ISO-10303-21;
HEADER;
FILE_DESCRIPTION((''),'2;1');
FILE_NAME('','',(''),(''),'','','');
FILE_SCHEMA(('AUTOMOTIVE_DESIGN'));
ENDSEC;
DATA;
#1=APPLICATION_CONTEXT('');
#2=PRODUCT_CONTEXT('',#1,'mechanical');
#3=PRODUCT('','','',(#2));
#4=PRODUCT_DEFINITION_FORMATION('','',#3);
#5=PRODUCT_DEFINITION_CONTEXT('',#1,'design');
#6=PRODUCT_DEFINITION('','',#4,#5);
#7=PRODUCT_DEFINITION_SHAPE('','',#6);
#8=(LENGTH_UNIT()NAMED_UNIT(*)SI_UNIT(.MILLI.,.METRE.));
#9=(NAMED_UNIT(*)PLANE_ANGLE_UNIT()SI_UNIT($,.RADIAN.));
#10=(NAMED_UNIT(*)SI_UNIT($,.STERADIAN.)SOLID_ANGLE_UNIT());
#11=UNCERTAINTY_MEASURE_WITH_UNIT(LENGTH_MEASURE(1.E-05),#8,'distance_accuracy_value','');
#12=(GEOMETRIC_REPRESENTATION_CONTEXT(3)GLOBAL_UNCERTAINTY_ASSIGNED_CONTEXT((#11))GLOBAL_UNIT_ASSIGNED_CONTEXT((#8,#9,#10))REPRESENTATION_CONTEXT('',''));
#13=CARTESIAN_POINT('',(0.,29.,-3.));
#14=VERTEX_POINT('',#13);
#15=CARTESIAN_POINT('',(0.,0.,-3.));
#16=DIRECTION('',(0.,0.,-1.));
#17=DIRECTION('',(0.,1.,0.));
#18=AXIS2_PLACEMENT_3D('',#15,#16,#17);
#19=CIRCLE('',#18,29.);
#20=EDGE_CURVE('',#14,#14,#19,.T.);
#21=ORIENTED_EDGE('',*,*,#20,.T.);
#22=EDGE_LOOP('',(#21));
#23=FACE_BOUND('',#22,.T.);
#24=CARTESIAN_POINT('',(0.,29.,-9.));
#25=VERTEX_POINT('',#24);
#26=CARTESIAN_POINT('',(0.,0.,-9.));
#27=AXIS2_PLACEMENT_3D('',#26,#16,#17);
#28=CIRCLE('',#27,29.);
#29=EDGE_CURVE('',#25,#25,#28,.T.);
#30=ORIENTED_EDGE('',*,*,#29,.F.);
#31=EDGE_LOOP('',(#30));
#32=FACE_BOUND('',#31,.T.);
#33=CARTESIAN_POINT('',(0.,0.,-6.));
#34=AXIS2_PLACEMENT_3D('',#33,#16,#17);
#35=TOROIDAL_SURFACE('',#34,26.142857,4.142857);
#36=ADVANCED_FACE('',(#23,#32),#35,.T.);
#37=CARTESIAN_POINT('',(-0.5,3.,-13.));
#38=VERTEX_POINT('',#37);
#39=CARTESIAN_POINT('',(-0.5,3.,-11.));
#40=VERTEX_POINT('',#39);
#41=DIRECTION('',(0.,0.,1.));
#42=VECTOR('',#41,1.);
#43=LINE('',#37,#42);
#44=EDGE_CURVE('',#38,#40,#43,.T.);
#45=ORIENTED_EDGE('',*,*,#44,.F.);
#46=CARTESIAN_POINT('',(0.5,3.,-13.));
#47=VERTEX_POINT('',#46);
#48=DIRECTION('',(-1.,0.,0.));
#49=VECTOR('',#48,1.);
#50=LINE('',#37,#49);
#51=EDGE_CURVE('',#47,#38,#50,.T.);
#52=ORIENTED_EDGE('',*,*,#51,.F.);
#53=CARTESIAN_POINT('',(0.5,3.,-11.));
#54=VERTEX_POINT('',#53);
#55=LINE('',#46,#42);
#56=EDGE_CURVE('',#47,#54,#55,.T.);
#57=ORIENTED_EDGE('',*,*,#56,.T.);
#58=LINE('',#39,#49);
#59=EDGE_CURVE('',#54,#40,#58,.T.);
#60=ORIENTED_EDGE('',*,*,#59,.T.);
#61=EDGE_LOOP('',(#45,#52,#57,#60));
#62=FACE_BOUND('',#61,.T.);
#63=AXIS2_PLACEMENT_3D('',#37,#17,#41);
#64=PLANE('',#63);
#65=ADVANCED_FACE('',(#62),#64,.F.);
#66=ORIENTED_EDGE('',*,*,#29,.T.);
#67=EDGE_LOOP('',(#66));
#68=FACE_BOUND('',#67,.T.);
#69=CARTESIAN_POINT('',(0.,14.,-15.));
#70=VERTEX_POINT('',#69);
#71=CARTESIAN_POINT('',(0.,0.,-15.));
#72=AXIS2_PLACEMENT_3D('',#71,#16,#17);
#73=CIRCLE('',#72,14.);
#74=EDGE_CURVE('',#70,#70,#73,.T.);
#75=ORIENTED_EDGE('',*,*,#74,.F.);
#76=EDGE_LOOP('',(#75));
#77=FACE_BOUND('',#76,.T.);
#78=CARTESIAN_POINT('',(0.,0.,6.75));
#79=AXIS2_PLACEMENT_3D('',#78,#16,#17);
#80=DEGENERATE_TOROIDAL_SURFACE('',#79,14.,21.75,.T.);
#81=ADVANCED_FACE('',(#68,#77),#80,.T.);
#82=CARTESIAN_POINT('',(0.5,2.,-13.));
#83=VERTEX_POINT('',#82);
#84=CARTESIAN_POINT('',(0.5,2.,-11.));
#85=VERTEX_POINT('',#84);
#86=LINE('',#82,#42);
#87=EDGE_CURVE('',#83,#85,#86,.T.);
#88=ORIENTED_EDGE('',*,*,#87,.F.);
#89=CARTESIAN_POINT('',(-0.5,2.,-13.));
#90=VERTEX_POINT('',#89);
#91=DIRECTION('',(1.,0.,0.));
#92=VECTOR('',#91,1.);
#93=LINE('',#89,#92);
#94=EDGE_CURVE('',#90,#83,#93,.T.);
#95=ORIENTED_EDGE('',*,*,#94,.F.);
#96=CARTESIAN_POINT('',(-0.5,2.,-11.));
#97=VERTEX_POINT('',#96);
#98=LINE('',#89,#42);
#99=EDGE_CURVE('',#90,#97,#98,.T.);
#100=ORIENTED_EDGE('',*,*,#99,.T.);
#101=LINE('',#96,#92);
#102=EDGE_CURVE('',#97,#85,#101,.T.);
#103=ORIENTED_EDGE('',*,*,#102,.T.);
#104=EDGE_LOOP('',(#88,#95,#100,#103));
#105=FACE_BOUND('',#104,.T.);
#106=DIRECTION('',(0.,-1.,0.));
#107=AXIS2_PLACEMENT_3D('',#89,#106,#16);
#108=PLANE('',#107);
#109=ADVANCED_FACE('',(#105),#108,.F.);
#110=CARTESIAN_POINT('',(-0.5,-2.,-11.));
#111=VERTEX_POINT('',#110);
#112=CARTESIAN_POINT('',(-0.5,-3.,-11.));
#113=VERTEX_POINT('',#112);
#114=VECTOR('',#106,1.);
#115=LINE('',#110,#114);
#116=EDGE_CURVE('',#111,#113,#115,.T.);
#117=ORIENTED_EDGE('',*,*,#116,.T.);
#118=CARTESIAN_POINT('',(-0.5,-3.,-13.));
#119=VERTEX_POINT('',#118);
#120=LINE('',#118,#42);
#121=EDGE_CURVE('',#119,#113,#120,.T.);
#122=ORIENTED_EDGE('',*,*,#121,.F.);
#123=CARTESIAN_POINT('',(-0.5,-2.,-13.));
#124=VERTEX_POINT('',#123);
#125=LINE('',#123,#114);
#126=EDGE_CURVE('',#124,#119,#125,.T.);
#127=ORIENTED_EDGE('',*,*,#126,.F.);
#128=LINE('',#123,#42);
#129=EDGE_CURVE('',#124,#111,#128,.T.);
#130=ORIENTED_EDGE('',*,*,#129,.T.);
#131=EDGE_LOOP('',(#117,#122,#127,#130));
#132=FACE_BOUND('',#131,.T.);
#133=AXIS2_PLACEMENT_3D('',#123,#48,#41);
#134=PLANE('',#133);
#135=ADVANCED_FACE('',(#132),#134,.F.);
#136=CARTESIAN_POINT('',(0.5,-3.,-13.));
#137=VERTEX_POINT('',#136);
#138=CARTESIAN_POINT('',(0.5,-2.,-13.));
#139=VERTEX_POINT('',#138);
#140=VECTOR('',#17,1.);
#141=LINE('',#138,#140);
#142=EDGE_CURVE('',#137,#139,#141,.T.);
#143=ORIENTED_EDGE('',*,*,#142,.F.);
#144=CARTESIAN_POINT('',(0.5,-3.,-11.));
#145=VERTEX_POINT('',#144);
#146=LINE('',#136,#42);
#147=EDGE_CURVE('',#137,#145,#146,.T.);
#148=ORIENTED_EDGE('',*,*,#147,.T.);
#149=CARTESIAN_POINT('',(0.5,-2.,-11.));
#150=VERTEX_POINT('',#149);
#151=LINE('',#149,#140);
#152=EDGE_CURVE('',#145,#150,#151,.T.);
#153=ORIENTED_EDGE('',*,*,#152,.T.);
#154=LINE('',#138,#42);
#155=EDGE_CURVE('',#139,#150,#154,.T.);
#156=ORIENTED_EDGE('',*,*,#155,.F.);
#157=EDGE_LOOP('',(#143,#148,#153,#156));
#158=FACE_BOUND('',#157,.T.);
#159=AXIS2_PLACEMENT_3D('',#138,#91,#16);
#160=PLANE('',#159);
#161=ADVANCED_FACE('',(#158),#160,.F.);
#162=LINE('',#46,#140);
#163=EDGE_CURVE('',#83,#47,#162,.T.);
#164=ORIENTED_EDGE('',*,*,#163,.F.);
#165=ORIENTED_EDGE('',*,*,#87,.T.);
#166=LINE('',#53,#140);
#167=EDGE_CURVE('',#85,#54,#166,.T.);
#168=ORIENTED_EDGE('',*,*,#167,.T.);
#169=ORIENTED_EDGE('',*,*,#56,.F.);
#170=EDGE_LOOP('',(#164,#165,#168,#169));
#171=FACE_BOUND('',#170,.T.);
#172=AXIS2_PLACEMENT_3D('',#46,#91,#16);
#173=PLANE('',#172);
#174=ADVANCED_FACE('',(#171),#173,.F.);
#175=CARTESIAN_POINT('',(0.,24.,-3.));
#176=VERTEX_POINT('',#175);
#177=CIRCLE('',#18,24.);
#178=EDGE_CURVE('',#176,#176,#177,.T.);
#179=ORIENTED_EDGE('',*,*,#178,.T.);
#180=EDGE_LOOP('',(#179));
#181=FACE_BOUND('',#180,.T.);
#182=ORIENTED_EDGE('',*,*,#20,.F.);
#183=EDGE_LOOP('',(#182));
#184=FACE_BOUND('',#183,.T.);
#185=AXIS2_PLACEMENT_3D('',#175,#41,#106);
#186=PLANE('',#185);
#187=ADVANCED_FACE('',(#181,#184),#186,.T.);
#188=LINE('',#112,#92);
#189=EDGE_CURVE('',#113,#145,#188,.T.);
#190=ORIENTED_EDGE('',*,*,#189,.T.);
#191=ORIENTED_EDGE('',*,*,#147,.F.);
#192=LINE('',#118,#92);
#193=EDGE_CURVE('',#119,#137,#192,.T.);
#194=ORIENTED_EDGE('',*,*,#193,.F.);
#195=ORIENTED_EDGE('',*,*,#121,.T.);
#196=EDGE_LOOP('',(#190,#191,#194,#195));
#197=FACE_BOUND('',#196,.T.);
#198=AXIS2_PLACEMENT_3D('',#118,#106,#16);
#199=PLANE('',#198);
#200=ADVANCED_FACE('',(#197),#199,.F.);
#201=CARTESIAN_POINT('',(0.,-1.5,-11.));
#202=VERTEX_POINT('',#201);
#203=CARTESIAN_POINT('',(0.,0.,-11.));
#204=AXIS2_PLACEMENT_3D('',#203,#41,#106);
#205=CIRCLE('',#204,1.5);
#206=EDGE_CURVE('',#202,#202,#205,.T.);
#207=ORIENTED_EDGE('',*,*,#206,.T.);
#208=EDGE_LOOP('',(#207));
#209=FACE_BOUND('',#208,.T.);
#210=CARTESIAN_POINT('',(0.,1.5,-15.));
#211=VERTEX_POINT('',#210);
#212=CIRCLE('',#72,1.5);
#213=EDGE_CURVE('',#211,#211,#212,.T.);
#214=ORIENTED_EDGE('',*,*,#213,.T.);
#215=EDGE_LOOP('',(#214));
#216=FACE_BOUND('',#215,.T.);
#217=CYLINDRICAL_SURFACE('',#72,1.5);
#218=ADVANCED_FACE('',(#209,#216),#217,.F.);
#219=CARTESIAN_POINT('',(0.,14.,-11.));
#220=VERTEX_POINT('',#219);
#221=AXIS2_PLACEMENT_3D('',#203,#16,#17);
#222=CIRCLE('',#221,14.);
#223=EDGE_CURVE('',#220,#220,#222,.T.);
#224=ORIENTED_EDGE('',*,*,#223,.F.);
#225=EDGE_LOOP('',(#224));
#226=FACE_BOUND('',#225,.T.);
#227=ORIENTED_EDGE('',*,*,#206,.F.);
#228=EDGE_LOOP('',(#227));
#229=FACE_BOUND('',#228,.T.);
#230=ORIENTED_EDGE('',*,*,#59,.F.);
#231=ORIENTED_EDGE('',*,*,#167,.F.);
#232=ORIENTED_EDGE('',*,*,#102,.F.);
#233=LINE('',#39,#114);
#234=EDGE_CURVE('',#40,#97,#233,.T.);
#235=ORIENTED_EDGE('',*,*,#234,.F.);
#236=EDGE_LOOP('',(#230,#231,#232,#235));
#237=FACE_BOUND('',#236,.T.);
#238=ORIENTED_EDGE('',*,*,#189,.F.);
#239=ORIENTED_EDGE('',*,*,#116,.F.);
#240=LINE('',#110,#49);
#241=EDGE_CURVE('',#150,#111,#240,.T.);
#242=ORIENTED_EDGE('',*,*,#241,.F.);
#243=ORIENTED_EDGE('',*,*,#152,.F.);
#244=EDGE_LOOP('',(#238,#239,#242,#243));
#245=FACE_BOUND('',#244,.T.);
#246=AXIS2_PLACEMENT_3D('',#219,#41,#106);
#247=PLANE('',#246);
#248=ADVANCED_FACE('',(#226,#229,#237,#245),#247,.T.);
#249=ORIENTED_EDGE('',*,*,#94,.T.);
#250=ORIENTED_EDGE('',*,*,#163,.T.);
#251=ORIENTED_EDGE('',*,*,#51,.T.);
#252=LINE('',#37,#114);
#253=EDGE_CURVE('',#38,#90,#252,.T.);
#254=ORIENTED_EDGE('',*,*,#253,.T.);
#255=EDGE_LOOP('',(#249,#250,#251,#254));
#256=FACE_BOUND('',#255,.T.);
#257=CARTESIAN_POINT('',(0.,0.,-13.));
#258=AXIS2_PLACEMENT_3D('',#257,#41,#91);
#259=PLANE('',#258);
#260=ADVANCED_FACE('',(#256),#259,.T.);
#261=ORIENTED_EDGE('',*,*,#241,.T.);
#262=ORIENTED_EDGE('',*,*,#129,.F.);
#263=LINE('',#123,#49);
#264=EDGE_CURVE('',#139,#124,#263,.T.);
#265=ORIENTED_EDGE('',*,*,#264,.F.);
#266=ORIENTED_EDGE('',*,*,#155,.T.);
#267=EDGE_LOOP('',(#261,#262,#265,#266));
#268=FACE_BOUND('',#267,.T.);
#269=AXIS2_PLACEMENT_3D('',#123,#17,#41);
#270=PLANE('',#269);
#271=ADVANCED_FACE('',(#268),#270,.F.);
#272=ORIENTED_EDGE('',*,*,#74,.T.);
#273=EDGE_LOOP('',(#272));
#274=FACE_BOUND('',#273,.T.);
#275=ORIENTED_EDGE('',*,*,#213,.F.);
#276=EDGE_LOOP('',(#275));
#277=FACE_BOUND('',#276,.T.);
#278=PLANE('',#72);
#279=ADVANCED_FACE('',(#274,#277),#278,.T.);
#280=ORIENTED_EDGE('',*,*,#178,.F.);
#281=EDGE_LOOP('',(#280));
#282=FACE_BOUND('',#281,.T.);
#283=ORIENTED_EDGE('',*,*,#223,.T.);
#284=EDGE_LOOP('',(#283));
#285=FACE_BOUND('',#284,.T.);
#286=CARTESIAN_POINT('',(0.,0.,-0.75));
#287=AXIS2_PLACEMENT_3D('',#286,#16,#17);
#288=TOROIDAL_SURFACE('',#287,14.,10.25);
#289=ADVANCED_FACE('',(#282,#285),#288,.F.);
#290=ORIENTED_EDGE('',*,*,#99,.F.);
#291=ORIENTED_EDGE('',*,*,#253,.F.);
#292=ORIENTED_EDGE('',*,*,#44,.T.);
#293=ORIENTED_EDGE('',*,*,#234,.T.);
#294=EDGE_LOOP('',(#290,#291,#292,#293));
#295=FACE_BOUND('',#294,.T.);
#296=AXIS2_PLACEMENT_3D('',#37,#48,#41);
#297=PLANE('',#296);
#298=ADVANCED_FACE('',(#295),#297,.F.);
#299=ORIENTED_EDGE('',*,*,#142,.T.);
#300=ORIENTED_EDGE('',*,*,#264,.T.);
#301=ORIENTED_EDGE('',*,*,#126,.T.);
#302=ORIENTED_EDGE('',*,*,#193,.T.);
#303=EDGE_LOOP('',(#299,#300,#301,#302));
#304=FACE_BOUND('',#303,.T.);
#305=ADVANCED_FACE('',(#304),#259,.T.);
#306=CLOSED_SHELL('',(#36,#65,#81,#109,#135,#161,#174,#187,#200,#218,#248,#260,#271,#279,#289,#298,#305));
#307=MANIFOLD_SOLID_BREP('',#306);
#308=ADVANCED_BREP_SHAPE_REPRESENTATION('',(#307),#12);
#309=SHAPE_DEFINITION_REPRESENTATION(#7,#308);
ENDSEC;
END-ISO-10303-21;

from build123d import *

# Parameters (mm, degrees)
F_3_0MM_DOWEL_HOLE1_D           = 3
F_3_0MM_DOWEL_HOLE1_ON_FACE_2_D = 3
SKETCH5_W                       = 1
SKETCH5_H                       = 1
AXIAL_TRANSMISION_DEPTH         = 2


with BuildPart() as part:
    # Sketch1 → Revolve1 (revolve)
    with BuildSketch(Plane(origin=(0, 0, 0), x_dir=(0, 0, -1), z_dir=(1, 0, 0))):
        with BuildLine():
            Line((15, 0), (15, 14))
            ThreePointArc((15, 14), (13.444368027, 22.077747211), (9, 29))
            ThreePointArc((9, 29), (6, 30.285714286), (3, 29))
            Line((3, 29), (3, 24))
            ThreePointArc((3, 24), (8.753905297, 20.403124237), (11, 14))
            Line((11, 14), (11, 0))
            Line((11, 0), (15, 0))
        make_face()
    revolve(axis=Axis((0, 0, -15), (0, 0, 1)))

    # Ø3.0mm Dowel Hole1 (through all)
    with Locations(Plane(origin=(0, 0, -15), x_dir=(0, -1, 0), z_dir=(0, 0, -1))):
        with Locations((0, 0)):
            Hole(F_3_0MM_DOWEL_HOLE1_D / 2)

    # Ø3.0mm Dowel Hole1 on face 2 (through all)
    with Locations(Plane(origin=(0, 0, 0), x_dir=(0, -1, 0), z_dir=(0, 0, -1))):
        with Locations((0, 0)):
            Hole(F_3_0MM_DOWEL_HOLE1_ON_FACE_2_D / 2)

    # Sketch5 → Axial_Transmision (cut)
    with BuildSketch(Plane.XY.offset(-11)):
        with Locations((0, 2.5)):
            Rectangle(SKETCH5_W, SKETCH5_H)
        with Locations((0, -2.5)):
            Rectangle(SKETCH5_W, SKETCH5_H)
    extrude(amount=-AXIAL_TRANSMISION_DEPTH, mode=Mode.SUBTRACT)


solid = part.part
